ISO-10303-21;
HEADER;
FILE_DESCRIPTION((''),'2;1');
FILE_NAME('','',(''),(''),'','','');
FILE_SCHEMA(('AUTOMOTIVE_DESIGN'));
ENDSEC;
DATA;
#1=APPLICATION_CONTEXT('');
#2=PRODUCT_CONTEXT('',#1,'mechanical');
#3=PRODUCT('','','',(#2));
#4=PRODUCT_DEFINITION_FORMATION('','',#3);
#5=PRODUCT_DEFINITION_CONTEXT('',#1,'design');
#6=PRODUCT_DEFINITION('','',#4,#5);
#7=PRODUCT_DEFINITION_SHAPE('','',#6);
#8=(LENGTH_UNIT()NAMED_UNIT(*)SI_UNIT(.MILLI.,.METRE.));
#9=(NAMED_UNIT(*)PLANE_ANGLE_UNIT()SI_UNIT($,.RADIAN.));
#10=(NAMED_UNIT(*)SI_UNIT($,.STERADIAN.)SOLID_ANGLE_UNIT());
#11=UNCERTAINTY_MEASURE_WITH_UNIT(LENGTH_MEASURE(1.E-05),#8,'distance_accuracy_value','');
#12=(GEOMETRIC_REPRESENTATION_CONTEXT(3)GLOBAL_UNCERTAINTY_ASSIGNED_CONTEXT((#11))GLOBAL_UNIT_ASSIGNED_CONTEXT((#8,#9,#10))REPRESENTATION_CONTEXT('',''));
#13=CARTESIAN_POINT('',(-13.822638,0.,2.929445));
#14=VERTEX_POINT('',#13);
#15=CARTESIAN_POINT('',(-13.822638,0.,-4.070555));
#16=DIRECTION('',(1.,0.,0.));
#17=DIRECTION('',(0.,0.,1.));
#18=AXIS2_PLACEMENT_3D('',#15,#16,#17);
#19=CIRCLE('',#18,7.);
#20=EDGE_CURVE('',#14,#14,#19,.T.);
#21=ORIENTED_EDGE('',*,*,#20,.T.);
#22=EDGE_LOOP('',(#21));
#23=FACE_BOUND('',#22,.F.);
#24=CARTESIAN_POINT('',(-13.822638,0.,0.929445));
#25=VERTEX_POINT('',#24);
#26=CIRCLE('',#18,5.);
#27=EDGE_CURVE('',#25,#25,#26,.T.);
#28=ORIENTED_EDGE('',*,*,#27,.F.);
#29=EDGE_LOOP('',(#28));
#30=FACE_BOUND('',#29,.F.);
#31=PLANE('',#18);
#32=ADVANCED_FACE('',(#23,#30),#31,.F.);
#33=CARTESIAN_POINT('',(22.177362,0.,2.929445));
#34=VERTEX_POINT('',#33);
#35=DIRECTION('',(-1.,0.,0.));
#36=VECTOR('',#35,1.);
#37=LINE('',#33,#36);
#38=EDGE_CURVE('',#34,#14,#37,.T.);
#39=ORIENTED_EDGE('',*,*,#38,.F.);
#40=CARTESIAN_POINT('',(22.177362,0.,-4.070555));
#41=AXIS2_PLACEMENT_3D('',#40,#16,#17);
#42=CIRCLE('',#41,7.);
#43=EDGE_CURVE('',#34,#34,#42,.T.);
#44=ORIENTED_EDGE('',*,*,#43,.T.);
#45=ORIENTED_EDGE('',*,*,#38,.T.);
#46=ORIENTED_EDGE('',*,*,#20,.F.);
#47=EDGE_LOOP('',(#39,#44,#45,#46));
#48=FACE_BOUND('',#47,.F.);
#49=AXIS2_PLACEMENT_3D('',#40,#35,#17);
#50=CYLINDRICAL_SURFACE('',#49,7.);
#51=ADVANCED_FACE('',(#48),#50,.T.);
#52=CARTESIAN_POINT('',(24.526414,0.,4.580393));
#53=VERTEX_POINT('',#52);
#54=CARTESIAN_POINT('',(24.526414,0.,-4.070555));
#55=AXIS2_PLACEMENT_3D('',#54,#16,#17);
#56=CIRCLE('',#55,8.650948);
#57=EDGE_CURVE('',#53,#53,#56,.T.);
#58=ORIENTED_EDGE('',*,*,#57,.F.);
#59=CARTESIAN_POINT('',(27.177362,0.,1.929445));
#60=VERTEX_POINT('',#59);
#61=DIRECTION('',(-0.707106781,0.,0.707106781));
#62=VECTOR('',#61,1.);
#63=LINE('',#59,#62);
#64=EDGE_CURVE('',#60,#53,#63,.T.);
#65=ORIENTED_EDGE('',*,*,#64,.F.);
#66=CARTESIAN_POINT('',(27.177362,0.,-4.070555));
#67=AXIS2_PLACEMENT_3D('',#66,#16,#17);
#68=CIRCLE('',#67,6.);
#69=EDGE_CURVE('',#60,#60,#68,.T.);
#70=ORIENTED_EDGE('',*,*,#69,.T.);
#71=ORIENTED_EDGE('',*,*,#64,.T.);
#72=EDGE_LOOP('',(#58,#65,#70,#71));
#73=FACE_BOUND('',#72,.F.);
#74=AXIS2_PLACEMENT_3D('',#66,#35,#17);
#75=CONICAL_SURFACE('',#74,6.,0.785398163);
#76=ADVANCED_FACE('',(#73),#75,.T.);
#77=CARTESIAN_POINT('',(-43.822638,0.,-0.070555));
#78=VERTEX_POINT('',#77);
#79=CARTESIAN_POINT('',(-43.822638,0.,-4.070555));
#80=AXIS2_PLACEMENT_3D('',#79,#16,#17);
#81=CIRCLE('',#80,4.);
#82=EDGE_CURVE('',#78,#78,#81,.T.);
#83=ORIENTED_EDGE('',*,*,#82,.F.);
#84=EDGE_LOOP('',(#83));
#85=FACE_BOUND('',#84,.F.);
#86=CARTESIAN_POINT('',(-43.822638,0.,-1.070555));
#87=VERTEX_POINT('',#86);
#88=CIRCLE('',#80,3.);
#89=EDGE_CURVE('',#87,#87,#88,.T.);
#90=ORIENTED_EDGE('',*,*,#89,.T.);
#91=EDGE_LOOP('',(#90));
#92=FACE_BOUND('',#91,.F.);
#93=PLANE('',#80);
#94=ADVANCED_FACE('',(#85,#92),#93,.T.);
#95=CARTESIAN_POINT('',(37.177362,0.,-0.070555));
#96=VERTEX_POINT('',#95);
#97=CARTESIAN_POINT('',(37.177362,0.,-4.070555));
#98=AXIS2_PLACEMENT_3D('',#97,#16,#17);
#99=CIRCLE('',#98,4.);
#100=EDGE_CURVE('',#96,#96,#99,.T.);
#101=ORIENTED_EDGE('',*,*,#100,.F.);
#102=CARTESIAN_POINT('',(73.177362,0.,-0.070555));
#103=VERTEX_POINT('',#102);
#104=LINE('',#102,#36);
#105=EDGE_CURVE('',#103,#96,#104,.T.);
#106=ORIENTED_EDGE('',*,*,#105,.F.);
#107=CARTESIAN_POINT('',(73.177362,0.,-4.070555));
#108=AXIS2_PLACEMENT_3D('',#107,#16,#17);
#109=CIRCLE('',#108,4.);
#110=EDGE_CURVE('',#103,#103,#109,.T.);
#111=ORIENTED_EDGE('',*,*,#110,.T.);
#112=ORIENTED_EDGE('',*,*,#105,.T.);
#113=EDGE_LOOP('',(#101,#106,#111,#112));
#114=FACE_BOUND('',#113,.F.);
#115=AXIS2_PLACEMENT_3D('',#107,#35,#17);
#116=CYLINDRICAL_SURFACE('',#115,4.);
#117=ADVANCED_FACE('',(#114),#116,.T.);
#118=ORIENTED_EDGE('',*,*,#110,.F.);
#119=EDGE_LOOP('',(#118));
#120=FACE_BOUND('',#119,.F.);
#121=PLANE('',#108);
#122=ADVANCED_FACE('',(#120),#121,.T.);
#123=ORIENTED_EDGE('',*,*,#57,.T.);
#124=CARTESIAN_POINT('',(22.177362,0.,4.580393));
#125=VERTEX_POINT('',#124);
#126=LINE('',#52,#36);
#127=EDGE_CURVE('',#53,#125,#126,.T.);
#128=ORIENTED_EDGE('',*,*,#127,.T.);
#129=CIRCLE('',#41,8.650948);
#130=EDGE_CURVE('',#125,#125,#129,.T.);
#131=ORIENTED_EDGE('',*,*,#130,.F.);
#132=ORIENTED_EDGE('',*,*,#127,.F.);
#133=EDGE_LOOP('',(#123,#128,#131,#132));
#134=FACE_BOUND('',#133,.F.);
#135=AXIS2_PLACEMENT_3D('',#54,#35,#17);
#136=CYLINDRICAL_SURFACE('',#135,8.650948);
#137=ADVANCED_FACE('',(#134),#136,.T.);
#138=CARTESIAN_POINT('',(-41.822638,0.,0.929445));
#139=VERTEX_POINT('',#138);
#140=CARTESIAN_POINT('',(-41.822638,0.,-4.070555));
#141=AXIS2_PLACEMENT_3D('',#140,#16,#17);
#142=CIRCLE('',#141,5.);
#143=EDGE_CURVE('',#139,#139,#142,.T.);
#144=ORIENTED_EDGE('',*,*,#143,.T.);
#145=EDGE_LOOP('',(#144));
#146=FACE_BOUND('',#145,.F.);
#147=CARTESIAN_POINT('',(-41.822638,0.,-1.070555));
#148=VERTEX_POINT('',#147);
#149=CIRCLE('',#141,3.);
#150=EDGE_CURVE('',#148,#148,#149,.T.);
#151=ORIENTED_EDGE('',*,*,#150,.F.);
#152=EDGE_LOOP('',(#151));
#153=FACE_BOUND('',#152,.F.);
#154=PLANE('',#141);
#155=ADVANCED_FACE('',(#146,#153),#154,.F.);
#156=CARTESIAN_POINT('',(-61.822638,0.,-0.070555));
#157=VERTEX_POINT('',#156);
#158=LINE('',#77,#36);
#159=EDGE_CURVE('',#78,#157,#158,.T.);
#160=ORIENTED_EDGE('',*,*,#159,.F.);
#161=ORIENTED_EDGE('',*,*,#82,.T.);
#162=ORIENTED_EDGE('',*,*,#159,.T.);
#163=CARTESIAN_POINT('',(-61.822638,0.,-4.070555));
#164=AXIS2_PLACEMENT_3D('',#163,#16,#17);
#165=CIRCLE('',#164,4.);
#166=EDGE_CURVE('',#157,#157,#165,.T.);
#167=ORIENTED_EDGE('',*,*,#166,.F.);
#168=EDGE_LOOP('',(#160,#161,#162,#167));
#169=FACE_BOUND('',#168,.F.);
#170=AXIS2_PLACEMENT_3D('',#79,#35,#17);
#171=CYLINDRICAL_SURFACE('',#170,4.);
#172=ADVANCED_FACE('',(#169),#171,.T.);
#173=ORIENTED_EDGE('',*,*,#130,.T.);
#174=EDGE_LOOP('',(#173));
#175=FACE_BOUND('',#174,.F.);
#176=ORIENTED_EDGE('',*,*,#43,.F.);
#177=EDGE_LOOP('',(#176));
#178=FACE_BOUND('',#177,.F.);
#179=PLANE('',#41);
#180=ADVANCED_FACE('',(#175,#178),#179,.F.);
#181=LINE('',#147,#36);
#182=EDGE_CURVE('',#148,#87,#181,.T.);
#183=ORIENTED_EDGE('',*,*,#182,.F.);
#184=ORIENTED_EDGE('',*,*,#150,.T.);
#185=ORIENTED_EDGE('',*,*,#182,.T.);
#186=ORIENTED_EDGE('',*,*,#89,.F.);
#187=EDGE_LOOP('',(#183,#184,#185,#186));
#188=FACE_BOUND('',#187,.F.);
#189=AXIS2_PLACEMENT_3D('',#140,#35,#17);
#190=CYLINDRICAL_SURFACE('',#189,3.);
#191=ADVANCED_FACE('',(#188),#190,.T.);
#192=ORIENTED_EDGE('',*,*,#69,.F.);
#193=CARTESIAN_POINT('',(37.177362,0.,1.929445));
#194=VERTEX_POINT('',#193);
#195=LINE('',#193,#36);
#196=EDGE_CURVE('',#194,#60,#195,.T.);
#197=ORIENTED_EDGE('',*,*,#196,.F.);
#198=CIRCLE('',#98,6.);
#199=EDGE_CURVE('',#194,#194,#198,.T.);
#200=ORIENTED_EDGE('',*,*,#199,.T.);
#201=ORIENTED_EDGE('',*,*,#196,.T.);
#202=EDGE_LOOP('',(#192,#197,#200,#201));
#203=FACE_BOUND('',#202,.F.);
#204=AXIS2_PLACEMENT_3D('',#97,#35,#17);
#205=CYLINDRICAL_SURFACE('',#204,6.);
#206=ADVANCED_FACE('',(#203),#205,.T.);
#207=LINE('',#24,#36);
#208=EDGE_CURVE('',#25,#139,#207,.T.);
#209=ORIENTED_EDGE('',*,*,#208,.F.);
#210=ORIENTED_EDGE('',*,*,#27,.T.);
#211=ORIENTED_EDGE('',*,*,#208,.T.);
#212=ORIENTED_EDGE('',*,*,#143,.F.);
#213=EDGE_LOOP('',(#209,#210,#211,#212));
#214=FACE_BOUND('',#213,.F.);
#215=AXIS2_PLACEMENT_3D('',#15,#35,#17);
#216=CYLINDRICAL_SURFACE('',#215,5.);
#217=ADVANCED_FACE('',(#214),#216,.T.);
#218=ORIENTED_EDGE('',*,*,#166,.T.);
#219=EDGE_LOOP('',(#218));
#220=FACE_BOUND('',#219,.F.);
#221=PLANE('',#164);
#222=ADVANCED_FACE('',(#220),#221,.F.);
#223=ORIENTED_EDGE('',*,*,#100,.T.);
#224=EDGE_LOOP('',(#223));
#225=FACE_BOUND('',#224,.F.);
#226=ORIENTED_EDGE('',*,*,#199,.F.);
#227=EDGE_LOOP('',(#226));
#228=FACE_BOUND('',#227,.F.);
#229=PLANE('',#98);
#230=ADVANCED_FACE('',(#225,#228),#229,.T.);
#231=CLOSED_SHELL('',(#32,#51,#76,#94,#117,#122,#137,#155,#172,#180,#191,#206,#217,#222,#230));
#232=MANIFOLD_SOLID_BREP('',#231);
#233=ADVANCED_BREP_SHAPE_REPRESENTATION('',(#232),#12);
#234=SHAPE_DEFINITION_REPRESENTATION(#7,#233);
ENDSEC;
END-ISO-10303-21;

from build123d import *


with BuildPart() as f1:
    # F0 (on Front) → F1 (revolve)
    with BuildSketch(Plane.XZ):
        Polygon((-61.822638, -4.070555), (73.177362, -4.070555), (73.177362, -0.070555), (37.177362, -0.070555), (37.177362, 1.929445), (27.177362, 1.929445), (24.526414, 4.580393), (22.177362, 4.580393), (22.177362, 2.929445), (-13.822638, 2.929445), (-13.822638, 0.929445), (-41.822638, 0.929445), (-41.822638, -1.070555), (-43.822638, -1.070555), (-43.822638, -0.070555), (-61.822638, -0.070555), align=None)
    revolve(axis=Axis((5.677362, 0, -4.070555), (1, 0, 0)))


solid = f1.part
